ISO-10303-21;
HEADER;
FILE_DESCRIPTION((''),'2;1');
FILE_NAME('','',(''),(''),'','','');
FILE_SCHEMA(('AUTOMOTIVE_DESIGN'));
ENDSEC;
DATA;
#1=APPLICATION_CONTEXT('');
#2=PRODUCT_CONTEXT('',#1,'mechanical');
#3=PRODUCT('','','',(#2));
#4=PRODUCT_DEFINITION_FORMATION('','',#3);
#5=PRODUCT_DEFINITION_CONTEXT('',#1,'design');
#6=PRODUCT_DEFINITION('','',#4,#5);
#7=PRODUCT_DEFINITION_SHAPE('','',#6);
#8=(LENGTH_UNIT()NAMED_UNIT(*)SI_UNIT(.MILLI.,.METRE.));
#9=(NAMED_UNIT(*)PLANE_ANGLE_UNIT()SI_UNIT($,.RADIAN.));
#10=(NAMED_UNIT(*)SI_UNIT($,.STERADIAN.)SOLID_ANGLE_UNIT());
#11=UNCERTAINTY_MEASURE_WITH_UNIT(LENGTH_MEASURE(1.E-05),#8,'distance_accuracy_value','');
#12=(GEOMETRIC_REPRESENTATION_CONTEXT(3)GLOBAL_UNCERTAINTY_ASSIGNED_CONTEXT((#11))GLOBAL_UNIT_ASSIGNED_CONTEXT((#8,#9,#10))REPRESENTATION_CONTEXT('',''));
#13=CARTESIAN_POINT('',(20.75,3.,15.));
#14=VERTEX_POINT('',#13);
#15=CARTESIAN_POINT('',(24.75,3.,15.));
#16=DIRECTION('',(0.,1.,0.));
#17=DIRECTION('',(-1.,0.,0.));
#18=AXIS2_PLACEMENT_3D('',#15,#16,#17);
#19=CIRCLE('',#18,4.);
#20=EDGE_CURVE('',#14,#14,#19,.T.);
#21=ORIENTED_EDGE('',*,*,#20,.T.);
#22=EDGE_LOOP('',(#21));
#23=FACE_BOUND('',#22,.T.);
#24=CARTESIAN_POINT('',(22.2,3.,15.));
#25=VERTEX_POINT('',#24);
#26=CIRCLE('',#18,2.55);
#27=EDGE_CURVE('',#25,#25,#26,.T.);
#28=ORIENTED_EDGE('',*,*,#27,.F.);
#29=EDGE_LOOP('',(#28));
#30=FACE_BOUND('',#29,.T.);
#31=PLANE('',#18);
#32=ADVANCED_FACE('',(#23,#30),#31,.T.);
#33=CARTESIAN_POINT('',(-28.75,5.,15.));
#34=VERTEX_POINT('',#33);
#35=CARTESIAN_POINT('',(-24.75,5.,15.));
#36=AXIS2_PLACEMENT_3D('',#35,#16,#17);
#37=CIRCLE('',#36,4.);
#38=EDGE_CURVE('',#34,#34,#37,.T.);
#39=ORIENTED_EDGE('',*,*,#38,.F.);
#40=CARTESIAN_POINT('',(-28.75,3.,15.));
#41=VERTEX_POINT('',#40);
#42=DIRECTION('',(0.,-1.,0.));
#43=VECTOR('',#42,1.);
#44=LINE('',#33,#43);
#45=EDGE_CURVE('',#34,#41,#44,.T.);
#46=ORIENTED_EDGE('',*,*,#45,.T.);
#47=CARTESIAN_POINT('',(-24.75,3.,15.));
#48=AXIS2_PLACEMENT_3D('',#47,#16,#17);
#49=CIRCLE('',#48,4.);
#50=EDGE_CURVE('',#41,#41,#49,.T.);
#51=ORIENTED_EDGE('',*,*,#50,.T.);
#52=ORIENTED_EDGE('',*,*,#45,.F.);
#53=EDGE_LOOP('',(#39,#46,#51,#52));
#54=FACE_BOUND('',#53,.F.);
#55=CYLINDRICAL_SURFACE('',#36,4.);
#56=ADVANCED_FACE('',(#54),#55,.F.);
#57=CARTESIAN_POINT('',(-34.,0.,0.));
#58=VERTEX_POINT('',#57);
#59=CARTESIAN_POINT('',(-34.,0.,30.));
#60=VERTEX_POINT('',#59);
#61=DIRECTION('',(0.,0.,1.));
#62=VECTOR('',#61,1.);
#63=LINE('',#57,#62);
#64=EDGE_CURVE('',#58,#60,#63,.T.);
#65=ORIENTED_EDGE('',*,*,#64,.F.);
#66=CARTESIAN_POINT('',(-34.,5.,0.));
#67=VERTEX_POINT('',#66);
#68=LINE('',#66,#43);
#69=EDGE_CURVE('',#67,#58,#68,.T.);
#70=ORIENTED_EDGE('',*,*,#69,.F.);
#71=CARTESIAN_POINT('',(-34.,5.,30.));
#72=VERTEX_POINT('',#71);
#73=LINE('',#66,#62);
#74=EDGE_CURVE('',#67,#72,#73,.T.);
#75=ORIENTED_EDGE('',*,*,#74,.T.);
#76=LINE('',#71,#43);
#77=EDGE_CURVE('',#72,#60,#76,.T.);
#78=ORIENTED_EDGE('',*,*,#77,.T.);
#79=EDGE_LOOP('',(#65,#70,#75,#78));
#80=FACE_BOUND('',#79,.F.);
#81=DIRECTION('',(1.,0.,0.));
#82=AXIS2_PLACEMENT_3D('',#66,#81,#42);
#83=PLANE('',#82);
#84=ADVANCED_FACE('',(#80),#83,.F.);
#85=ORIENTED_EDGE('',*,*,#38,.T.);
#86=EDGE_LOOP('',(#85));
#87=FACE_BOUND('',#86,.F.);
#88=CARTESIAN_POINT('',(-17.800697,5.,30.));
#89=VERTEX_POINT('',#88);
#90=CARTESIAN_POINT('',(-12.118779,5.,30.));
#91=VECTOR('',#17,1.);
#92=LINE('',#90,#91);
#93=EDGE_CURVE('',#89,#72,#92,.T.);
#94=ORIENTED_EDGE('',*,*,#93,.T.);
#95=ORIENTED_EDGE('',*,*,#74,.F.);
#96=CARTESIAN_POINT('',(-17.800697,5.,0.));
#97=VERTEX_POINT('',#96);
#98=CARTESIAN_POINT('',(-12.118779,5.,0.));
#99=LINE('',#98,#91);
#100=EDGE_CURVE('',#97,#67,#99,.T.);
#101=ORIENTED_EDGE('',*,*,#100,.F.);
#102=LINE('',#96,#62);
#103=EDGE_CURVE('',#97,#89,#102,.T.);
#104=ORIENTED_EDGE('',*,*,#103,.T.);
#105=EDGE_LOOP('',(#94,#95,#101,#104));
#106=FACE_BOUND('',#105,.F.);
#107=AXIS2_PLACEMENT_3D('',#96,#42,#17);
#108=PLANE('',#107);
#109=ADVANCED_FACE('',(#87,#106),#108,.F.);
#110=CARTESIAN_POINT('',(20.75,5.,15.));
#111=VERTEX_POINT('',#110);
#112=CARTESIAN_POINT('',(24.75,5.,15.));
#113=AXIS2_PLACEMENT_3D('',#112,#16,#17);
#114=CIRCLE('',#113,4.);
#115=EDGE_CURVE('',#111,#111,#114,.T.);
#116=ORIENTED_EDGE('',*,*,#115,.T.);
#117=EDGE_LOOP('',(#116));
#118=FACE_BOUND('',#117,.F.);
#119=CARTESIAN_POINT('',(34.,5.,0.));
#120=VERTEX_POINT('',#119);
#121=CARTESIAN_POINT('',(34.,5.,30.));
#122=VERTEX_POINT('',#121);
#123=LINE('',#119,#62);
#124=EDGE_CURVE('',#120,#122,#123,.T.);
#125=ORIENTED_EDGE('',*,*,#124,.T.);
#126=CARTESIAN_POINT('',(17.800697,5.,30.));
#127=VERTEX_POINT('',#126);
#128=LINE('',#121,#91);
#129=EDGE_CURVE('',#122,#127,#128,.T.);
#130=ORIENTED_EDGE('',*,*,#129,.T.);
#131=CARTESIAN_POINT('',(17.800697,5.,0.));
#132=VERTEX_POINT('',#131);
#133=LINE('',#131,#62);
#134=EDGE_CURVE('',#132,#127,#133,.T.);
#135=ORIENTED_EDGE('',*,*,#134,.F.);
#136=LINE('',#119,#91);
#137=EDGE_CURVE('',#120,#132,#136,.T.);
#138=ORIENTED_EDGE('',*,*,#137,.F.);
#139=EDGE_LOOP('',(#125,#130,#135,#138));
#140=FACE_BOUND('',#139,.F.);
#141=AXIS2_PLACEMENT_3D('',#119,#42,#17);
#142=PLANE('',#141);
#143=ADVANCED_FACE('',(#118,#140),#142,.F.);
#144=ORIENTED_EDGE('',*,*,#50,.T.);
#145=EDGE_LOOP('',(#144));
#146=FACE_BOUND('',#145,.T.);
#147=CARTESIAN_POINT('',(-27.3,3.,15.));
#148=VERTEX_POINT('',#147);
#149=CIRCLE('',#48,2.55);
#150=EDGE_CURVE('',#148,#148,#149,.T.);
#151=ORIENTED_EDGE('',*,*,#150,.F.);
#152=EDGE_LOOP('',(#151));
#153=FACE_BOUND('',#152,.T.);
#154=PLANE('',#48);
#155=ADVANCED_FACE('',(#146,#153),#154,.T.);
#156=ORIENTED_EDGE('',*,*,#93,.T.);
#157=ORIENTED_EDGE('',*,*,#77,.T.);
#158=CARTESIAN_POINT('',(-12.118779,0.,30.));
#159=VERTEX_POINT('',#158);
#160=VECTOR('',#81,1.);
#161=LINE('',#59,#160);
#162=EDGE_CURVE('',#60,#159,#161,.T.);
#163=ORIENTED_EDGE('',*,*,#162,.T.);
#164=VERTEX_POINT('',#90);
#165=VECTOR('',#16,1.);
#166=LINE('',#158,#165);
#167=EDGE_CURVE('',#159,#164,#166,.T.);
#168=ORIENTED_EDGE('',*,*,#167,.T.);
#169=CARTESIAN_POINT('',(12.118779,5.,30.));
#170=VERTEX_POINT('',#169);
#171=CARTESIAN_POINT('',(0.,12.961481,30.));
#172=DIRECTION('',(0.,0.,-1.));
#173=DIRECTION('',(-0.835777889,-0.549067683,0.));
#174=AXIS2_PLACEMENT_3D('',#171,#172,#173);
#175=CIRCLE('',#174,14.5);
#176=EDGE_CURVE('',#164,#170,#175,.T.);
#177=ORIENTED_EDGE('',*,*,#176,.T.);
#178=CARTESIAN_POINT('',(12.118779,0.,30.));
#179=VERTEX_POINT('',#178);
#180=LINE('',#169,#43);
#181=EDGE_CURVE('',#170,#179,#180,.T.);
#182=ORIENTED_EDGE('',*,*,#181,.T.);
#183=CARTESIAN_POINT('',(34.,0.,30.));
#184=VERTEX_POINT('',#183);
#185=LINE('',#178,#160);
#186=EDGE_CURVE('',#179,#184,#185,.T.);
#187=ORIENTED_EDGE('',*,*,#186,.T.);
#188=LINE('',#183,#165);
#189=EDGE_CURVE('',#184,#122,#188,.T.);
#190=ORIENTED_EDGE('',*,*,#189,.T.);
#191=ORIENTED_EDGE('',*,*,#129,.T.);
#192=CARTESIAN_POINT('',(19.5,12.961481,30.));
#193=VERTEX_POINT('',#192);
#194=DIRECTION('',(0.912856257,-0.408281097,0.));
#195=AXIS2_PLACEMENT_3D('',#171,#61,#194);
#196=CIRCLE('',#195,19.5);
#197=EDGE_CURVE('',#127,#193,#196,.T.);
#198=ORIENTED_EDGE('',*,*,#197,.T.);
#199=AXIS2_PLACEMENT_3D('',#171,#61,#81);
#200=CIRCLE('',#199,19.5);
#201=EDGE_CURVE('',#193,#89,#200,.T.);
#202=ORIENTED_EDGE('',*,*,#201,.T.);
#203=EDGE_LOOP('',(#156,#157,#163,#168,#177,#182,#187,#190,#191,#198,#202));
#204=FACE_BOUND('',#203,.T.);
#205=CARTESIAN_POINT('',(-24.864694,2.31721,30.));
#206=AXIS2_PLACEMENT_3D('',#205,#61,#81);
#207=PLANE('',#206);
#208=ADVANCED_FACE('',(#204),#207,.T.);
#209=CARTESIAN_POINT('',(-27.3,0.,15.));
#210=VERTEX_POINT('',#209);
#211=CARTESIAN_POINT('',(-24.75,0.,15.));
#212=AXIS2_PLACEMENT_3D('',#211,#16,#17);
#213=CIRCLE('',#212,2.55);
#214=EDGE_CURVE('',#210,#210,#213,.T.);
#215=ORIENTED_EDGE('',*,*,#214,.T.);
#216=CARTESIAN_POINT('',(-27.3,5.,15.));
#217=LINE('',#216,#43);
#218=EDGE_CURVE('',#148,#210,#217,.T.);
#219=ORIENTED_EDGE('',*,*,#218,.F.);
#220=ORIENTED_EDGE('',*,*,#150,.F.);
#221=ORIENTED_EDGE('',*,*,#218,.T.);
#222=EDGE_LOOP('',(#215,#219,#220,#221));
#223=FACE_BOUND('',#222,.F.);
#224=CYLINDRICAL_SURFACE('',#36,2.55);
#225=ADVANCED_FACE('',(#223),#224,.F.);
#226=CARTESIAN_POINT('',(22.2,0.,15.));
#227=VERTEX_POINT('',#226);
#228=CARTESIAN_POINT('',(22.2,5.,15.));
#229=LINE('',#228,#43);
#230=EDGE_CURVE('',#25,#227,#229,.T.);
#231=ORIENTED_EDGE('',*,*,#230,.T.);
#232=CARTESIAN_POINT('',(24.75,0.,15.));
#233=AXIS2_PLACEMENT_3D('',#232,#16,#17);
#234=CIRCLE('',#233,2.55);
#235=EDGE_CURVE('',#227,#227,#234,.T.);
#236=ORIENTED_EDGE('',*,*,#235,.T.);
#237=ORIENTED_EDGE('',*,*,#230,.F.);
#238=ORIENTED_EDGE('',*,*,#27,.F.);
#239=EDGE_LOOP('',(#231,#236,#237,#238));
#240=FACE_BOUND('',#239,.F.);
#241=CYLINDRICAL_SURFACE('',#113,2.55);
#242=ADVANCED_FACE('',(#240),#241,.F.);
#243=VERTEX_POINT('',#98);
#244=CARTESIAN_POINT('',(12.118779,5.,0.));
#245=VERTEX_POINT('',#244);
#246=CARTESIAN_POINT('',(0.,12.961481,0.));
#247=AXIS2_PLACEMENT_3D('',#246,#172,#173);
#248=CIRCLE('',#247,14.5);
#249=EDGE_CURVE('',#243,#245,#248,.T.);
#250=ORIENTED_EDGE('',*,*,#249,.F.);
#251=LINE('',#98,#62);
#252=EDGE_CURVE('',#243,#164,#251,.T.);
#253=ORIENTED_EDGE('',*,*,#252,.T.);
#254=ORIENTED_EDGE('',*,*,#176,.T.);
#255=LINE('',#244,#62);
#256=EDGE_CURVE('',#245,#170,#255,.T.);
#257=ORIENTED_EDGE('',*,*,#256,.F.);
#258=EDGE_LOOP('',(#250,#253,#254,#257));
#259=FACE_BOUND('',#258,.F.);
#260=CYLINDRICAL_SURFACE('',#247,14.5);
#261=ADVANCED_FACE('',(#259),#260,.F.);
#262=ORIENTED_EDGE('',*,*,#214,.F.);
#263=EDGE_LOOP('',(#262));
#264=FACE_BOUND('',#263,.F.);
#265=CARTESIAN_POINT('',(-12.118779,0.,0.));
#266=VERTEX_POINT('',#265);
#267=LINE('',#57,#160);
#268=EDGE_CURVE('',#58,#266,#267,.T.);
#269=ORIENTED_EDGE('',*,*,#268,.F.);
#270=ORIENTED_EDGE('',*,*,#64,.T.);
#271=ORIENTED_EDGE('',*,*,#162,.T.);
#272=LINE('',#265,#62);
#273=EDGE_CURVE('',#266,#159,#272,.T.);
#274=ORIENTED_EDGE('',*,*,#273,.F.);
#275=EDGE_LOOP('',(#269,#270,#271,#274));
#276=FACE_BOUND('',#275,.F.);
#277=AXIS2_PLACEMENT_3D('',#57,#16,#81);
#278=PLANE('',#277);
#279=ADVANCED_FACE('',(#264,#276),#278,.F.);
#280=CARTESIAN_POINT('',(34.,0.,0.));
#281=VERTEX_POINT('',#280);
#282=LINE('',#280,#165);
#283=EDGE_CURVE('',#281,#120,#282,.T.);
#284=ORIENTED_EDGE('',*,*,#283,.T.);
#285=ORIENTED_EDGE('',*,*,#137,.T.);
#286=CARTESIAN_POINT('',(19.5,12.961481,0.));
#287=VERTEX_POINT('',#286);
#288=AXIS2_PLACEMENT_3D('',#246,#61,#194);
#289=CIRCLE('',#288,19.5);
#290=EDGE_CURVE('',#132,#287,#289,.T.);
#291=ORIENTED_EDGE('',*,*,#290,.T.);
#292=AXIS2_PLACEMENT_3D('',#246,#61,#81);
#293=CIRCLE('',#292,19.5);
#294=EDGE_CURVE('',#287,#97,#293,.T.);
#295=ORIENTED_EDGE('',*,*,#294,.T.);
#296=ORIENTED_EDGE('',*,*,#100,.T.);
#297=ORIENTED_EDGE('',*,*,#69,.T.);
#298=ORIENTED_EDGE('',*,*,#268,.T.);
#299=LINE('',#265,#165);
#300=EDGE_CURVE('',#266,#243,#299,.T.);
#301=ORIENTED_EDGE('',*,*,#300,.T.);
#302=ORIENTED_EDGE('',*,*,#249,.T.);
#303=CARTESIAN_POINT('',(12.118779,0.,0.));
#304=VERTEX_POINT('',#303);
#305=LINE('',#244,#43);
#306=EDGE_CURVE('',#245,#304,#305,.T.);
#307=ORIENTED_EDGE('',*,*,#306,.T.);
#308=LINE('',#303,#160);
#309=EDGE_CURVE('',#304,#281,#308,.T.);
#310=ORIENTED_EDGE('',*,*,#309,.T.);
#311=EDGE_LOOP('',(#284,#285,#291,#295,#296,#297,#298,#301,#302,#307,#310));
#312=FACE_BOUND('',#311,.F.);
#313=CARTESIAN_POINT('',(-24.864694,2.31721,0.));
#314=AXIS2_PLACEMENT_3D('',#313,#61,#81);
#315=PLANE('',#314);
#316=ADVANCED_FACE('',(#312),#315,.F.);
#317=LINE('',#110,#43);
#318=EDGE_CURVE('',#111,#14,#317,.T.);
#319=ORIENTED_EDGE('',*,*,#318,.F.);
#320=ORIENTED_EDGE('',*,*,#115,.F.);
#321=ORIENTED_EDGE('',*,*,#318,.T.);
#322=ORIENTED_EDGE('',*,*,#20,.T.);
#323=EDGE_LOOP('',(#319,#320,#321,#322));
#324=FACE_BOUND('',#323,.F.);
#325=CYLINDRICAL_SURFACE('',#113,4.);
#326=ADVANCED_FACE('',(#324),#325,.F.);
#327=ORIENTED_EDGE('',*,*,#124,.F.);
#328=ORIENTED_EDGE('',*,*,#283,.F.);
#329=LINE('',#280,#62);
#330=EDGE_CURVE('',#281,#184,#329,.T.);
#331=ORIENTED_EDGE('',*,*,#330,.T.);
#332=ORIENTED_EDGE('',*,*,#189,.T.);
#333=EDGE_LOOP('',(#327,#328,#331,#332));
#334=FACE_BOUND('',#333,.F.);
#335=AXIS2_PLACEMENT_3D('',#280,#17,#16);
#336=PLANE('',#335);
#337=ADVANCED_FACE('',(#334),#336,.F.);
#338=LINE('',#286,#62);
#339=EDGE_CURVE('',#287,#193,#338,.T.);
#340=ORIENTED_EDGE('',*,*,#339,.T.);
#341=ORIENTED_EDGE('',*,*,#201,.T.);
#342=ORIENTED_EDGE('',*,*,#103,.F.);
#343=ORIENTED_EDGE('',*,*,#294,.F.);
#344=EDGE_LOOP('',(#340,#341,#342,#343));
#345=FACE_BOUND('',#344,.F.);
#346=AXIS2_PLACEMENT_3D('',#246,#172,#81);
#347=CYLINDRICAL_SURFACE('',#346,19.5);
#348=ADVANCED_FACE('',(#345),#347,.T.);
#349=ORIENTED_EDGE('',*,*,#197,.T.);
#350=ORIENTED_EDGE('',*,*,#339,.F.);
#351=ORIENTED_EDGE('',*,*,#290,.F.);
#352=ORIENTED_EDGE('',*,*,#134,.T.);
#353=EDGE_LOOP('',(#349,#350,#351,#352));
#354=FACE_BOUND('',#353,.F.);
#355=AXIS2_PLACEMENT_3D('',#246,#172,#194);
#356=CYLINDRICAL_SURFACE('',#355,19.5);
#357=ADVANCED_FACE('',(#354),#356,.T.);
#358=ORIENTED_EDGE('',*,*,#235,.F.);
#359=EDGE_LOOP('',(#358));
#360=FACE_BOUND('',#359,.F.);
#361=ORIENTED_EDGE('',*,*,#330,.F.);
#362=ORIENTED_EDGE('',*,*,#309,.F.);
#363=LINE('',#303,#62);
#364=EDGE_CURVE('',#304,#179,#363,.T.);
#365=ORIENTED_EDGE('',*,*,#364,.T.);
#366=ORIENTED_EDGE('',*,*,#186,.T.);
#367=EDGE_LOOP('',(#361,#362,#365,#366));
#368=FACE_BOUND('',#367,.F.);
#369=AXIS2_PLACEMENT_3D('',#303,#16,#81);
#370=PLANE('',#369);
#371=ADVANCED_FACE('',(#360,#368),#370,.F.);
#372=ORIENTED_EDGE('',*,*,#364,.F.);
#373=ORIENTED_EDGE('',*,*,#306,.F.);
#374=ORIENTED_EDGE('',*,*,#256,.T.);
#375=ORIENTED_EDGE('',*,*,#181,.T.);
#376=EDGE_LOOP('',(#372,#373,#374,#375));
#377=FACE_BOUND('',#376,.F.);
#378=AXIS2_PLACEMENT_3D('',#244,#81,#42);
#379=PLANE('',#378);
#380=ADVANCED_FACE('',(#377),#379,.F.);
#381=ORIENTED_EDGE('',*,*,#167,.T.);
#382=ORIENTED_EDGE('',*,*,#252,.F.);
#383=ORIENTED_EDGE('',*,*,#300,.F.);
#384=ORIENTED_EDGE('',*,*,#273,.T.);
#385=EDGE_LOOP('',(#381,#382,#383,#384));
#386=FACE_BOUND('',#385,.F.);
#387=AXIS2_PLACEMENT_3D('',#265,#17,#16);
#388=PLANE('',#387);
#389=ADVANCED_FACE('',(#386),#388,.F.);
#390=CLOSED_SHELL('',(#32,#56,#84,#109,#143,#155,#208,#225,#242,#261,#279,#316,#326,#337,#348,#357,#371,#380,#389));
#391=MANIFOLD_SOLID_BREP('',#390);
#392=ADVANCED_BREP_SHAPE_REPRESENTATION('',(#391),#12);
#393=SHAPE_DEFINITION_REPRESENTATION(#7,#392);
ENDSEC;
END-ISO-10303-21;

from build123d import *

# Parameters (mm, degrees)
F1_DEPTH = 30
F2_R     = 2.55
F3_DEPTH = 6
F2_R_2   = 4
F4_DEPTH = 2


with BuildPart() as f1:
    # F0 (on Top) → F1 (new body)
    with BuildSketch(Plane.XY):
        with BuildLine():
            Line((-34, 5), (-34, 0))
            Line((-34, 0), (-14.5688022843, 0))
            ThreePointArc((-14.5688022843, 0), (-16.37669445, 2.3759309202), (-17.8006970079, 5))
            Line((-17.8006970079, 5), (-34, 5))
        make_face()
        with BuildLine():
            ThreePointArc((-17.8006970079, 5), (-16.37669445, 2.3759309202), (-14.5688022843, 0))
            Line((-14.5688022843, 0), (-12.1187793927, 0))
            Line((-12.1187793927, 0), (-12.1187793927, 5))
            Line((-12.1187793927, 5), (-17.8006970079, 5))
        make_face()
        with BuildLine():
            ThreePointArc((19.5, 12.9614813968), (-4.0704058978, 32.0319243866), (-17.8006970079, 5))
            Line((-17.8006970079, 5), (-12.1187793927, 5))
            ThreePointArc((-12.1187793927, 5), (-4.1549788692, 26.8534269264), (14.5, 12.9614813968))
            ThreePointArc((14.5, 12.9614813968), (13.8919455296, 8.8065025277), (12.1187793927, 5))
            Line((12.1187793927, 5), (17.8006970079, 5))
            ThreePointArc((17.8006970079, 5), (19.0704429898, 8.891075499), (19.5, 12.9614813968))
        make_face()
        with BuildLine():
            Line((12.1187793927, 0), (14.5688022843, 0))
            ThreePointArc((14.5688022843, 0), (16.37669445, 2.3759309202), (17.8006970079, 5))
            Line((17.8006970079, 5), (12.1187793927, 5))
            Line((12.1187793927, 5), (12.1187793927, 0))
        make_face()
        with BuildLine():
            ThreePointArc((17.8006970079, 5), (16.37669445, 2.3759309202), (14.5688022843, 0))
            Line((14.5688022843, 0), (34, 0))
            Line((34, 0), (34, 5))
            Line((34, 5), (17.8006970079, 5))
        make_face()
    extrude(amount=F1_DEPTH)

    # F2 (on face) → F3 (cut)
    with BuildSketch(Plane(origin=(0, 5, 0), x_dir=(-1, 0, 0), z_dir=(0, 1, 0))):
        with Locations((-24.75, 15)):
            Circle(F2_R)
        with Locations((24.75, 15)):
            Circle(F2_R)
    extrude(amount=-F3_DEPTH, mode=Mode.SUBTRACT)

    # F2 (on face) → F4 (cut)
    with BuildSketch(Plane(origin=(0, 5, 0), x_dir=(-1, 0, 0), z_dir=(0, 1, 0))):
        with Locations((24.75, 15)):
            Circle(F2_R_2)
        with Locations((24.75, 15)):
            Circle(F2_R, mode=Mode.SUBTRACT)
        with Locations((-24.75, 15)):
            Circle(F2_R_2)
        with Locations((-24.75, 15)):
            Circle(F2_R, mode=Mode.SUBTRACT)
    extrude(amount=-F4_DEPTH, mode=Mode.SUBTRACT)


solid = f1.part
